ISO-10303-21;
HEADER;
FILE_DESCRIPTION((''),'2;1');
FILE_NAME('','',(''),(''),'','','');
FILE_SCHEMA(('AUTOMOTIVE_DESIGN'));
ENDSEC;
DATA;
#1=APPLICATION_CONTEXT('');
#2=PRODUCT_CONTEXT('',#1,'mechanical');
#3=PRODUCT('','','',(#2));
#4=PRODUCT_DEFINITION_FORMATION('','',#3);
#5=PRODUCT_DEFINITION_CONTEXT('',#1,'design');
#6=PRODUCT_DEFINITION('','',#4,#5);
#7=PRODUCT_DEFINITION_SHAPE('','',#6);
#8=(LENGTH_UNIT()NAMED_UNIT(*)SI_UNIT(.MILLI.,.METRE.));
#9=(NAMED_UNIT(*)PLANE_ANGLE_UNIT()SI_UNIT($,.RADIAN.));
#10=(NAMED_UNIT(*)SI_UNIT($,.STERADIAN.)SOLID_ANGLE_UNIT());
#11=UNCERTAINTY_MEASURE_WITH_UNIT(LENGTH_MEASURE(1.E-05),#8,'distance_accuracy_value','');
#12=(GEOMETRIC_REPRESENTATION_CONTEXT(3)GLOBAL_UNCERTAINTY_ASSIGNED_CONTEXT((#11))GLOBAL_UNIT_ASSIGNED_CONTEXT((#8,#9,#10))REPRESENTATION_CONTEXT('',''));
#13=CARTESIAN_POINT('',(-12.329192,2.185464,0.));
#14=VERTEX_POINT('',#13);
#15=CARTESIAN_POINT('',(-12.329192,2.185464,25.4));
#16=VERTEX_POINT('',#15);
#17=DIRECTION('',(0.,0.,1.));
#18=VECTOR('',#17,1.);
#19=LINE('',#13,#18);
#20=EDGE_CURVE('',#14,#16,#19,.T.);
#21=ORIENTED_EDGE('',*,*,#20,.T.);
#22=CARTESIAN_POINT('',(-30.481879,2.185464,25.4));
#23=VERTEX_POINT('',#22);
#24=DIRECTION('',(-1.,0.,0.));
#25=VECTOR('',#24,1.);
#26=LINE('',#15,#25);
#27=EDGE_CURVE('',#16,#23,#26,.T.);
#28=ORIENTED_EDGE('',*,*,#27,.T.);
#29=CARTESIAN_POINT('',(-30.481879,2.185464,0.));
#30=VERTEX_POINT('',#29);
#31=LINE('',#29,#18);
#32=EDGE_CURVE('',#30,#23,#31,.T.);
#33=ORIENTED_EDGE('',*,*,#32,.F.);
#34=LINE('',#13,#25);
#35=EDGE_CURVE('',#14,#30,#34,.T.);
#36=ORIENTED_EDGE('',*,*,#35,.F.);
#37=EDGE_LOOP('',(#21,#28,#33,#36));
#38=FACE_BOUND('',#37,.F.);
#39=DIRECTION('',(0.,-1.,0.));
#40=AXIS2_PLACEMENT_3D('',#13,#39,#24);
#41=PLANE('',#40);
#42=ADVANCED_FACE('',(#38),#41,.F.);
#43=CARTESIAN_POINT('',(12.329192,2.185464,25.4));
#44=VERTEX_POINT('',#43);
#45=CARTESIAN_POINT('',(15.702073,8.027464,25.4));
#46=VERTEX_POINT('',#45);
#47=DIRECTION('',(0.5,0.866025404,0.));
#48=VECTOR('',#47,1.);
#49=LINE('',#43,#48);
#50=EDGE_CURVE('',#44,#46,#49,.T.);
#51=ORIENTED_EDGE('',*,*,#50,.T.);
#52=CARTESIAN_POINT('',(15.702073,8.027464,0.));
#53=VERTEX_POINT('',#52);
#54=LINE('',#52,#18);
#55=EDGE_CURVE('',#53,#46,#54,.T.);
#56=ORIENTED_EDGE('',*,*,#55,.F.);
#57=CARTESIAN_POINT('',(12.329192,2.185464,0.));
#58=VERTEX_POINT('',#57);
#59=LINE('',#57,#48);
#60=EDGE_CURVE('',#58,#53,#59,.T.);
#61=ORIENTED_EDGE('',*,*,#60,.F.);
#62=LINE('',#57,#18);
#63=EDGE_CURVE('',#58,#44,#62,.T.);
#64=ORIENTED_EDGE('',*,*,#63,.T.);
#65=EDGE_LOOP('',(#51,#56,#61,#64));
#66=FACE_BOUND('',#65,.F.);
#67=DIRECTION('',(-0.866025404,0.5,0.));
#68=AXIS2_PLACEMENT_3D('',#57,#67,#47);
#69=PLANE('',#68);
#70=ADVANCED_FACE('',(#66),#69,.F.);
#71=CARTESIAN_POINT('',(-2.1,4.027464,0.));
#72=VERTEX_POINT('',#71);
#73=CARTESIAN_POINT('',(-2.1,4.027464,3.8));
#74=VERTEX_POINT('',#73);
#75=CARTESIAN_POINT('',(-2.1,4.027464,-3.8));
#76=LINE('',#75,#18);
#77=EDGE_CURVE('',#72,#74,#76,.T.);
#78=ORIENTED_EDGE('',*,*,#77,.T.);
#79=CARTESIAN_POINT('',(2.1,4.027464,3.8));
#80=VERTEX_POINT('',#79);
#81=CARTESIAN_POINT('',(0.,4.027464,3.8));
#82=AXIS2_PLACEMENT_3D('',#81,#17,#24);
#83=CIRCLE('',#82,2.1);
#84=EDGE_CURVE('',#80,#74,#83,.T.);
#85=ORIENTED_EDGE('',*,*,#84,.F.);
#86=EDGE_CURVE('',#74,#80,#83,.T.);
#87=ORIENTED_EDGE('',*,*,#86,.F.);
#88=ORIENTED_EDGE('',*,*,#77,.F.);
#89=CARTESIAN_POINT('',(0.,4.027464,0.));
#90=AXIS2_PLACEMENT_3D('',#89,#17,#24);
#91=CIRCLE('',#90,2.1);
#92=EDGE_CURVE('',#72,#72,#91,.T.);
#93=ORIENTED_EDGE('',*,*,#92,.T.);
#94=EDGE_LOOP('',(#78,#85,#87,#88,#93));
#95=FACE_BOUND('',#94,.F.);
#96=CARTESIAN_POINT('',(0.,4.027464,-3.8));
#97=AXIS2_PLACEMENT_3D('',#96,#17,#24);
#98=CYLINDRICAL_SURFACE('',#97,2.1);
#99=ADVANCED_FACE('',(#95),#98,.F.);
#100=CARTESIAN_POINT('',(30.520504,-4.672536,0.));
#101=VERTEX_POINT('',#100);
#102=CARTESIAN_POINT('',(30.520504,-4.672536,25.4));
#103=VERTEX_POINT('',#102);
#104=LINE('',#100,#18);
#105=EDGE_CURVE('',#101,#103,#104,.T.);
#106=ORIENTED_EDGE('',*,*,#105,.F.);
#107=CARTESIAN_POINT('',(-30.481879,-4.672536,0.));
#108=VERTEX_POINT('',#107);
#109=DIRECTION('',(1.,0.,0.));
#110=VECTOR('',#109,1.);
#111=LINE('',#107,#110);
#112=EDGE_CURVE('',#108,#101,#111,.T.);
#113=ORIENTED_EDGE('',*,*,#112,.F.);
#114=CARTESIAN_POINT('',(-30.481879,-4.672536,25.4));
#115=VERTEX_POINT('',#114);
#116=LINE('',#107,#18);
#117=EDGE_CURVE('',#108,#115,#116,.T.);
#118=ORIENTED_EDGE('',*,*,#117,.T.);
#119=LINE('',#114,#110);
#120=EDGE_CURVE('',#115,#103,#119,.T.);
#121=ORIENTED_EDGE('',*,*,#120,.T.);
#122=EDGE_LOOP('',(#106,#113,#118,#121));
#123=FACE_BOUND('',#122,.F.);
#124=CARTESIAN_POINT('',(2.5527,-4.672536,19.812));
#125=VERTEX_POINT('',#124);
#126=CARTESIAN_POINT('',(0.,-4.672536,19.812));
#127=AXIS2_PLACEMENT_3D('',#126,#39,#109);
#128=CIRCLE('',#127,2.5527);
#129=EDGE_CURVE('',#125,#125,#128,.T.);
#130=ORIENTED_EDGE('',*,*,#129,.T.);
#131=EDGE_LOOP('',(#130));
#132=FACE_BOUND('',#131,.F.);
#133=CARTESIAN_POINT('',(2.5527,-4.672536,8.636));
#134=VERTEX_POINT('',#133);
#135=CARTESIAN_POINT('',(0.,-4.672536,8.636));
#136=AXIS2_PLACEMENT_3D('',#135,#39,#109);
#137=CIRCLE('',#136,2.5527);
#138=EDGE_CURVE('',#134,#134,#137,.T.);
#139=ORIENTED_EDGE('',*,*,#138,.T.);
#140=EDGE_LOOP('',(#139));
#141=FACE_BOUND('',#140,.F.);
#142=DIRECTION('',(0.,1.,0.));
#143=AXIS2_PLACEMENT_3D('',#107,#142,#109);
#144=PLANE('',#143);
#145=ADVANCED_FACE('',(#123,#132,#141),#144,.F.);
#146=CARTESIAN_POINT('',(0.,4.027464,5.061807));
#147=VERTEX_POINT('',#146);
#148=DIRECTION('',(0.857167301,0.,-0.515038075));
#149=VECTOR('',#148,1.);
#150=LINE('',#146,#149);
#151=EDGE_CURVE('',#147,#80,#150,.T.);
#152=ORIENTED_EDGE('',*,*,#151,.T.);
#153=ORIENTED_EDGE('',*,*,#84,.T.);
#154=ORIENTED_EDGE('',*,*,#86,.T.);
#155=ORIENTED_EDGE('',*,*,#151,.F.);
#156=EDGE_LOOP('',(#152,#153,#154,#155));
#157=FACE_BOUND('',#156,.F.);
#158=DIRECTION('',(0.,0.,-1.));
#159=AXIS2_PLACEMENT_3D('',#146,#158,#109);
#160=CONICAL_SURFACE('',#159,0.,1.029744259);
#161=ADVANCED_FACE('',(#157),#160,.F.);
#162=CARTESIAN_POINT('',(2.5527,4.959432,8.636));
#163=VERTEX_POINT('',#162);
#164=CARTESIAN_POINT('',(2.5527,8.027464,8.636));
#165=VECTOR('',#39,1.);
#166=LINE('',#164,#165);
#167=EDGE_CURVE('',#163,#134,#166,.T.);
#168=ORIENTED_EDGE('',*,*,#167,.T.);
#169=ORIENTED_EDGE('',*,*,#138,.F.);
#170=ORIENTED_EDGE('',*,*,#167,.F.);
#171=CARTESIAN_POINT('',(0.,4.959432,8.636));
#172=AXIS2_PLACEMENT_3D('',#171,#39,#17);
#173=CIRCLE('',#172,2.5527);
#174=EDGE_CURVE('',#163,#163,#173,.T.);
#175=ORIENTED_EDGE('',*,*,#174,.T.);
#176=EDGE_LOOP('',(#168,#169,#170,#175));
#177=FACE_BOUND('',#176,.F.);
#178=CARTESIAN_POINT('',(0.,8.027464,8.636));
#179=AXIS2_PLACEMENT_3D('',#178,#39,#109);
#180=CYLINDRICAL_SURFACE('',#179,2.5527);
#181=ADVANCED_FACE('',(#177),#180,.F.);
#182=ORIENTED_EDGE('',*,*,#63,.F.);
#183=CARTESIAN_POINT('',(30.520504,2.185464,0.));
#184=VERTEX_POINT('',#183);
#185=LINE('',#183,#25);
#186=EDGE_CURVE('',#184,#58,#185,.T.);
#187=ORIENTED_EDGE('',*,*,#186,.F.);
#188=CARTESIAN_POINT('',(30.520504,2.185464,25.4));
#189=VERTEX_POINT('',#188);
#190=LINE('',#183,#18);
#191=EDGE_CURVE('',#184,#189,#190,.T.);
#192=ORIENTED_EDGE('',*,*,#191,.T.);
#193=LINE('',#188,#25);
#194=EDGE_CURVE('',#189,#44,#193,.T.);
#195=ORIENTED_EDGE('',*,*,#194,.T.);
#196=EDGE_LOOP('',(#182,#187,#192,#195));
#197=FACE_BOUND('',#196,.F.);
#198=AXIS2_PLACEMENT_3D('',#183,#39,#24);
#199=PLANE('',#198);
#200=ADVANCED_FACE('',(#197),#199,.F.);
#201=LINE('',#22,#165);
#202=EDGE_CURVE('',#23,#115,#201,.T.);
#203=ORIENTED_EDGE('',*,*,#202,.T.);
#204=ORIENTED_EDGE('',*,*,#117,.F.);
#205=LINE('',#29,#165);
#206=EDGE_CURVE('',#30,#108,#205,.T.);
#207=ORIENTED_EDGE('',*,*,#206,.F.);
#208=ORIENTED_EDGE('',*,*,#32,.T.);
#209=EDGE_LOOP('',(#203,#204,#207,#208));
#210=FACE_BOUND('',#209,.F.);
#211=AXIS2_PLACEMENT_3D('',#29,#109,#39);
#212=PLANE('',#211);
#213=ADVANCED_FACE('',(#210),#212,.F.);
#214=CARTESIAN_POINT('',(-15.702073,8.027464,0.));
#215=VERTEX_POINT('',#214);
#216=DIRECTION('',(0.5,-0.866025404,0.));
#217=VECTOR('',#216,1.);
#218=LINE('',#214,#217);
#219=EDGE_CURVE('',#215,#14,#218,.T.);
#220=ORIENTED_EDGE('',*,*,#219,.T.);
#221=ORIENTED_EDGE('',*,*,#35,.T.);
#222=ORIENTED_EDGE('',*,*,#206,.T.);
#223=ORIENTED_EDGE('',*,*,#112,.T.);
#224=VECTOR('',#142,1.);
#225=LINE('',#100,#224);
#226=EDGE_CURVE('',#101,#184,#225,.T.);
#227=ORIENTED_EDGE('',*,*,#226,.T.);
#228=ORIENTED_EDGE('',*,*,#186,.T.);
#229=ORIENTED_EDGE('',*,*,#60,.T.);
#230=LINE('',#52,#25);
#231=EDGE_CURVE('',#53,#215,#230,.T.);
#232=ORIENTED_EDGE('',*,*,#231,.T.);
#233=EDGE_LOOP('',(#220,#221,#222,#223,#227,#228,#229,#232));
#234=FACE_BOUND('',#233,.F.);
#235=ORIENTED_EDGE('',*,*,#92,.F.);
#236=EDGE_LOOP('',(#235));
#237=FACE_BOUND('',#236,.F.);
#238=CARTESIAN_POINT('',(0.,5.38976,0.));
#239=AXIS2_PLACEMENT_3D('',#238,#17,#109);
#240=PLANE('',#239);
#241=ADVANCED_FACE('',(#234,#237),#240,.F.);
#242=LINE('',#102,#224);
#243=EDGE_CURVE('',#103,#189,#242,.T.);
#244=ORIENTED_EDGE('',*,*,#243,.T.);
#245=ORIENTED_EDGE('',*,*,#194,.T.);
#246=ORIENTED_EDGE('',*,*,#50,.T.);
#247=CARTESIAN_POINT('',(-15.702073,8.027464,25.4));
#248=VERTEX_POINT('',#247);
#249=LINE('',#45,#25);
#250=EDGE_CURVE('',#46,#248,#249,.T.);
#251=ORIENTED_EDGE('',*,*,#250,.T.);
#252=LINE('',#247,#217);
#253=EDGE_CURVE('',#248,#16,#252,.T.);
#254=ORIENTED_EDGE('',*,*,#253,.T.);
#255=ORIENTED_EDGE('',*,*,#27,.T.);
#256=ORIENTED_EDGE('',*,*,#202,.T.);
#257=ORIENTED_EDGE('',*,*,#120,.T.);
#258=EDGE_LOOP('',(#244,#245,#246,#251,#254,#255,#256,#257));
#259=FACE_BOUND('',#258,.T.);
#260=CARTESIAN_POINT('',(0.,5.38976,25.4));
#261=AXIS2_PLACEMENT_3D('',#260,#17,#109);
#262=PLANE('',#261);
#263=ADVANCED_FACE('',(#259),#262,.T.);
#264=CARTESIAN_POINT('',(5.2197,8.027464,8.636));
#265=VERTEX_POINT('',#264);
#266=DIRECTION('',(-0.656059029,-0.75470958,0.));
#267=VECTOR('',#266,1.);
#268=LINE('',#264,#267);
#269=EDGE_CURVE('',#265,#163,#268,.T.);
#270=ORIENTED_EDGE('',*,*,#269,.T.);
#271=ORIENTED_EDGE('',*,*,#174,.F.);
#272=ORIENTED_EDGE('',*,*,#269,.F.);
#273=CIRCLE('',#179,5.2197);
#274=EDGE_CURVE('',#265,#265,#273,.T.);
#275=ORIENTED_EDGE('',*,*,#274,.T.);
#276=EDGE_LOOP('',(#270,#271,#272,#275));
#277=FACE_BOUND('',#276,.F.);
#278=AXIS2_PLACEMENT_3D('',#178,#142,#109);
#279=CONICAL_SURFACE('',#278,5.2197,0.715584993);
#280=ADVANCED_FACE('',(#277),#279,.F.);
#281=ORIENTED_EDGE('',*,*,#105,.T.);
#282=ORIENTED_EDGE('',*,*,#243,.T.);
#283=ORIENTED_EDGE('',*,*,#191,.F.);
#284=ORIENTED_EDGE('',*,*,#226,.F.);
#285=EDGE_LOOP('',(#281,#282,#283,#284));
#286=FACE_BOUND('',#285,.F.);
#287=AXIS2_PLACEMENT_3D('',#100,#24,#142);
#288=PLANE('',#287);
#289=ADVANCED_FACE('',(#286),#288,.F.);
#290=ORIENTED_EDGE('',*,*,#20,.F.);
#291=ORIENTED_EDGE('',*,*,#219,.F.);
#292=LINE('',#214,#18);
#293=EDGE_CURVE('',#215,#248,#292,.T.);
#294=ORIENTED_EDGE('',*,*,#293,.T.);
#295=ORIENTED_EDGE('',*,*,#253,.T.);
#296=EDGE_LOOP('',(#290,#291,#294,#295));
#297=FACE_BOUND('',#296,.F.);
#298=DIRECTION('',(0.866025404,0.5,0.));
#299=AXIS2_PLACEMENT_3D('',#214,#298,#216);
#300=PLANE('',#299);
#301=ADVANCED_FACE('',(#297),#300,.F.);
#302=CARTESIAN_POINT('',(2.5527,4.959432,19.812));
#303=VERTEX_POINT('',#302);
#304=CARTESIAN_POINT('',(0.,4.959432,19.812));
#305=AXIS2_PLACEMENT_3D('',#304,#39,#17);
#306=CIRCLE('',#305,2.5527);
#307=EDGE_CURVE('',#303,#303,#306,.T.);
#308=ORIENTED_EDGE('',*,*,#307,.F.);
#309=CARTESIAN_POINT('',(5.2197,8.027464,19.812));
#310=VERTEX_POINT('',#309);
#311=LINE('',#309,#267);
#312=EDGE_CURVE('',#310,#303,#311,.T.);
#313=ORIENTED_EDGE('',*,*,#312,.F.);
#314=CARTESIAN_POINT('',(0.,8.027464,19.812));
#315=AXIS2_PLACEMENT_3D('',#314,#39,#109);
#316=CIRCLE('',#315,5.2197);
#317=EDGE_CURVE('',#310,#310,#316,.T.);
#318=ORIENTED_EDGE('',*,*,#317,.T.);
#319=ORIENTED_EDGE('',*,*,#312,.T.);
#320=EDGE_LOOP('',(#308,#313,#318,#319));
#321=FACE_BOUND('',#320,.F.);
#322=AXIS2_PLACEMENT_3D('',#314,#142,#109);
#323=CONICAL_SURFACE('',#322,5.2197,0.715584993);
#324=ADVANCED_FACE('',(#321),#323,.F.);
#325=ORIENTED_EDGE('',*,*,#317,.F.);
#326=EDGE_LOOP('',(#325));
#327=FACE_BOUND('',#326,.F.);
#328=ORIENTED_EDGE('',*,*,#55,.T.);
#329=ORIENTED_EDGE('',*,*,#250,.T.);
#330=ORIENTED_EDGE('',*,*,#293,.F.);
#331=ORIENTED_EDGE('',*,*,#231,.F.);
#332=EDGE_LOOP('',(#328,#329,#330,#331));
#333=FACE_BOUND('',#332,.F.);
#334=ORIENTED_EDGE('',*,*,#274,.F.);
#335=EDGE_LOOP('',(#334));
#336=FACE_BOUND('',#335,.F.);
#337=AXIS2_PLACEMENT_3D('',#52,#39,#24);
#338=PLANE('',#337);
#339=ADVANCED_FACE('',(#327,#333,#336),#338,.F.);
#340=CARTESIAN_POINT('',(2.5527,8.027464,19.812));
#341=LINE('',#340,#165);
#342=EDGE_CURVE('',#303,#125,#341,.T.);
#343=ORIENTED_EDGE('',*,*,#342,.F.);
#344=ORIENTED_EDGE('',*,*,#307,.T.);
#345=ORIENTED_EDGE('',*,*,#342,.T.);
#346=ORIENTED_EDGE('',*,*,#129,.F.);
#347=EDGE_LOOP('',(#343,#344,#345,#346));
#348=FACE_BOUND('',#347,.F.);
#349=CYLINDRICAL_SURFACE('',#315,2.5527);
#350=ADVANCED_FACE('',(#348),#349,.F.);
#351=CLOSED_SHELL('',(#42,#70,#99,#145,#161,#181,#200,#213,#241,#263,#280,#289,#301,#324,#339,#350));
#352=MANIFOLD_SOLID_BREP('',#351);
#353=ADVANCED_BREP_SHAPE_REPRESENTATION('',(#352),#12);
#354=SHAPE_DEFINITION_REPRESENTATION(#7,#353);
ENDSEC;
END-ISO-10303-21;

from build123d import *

# Parameters (mm, degrees)
F1_DEPTH       = 25.4
F3_D           = 4.2
F3_DEPTH       = 3.8
F3_TIP         = 1.2618073
F5_D           = 5.1054
F5_CSINK_D     = 10.4394
F5_CSINK_ANGLE = 82
F6_D           = 5.1054
F6_CSINK_D     = 10.4394
F6_CSINK_ANGLE = 82


with BuildPart() as f1:
    # F0 (on Top) → F1 (new body)
    with BuildSketch(Plane.XY):
        Polygon((15.702072531, 8.0274641514), (0, 8.0274641514), (-15.702072531, 8.0274641514), (-12.3291922584, 2.1854641514), (0, 2.1854641514), (12.3291922584, 2.1854641514), align=None)
        Polygon((0, 2.1854641514), (-12.3291922584, 2.1854641514), (-30.4818786681, 2.1854641514), (-30.4818786681, -4.6725358486), (30.5205043405, -4.6725358486), (30.5205043405, 2.1854641514), (30.4818786681, 2.1854641514), (12.3291922584, 2.1854641514), align=None)
    extrude(amount=F1_DEPTH)

    # F3
    with Locations(Plane(origin=(0, 0, 0), x_dir=(1, 0, 0), z_dir=(0, 0, -1))):
        with Locations((0, -4.0274641514)):
            Hole(F3_D / 2, depth=F3_DEPTH)
            with Locations((0, 0, -(F3_DEPTH + F3_TIP / 2))):  # 118° drill point
                Cone(0, F3_D / 2, F3_TIP, mode=Mode.SUBTRACT)

    # F5 (through all)
    with Locations(Plane(origin=(0, 8.0274641514, 0), x_dir=(-1, 0, 0), z_dir=(0, 1, 0))):
        with Locations((0, 19.812)):
            CounterSinkHole(F5_D / 2, F5_CSINK_D / 2, counter_sink_angle=F5_CSINK_ANGLE)

    # F6 (through all)
    with Locations(Plane(origin=(0, 8.0274641514, 0), x_dir=(-1, 0, 0), z_dir=(0, 1, 0))):
        with Locations((0, 8.636)):
            CounterSinkHole(F6_D / 2, F6_CSINK_D / 2, counter_sink_angle=F6_CSINK_ANGLE)


solid = f1.part
